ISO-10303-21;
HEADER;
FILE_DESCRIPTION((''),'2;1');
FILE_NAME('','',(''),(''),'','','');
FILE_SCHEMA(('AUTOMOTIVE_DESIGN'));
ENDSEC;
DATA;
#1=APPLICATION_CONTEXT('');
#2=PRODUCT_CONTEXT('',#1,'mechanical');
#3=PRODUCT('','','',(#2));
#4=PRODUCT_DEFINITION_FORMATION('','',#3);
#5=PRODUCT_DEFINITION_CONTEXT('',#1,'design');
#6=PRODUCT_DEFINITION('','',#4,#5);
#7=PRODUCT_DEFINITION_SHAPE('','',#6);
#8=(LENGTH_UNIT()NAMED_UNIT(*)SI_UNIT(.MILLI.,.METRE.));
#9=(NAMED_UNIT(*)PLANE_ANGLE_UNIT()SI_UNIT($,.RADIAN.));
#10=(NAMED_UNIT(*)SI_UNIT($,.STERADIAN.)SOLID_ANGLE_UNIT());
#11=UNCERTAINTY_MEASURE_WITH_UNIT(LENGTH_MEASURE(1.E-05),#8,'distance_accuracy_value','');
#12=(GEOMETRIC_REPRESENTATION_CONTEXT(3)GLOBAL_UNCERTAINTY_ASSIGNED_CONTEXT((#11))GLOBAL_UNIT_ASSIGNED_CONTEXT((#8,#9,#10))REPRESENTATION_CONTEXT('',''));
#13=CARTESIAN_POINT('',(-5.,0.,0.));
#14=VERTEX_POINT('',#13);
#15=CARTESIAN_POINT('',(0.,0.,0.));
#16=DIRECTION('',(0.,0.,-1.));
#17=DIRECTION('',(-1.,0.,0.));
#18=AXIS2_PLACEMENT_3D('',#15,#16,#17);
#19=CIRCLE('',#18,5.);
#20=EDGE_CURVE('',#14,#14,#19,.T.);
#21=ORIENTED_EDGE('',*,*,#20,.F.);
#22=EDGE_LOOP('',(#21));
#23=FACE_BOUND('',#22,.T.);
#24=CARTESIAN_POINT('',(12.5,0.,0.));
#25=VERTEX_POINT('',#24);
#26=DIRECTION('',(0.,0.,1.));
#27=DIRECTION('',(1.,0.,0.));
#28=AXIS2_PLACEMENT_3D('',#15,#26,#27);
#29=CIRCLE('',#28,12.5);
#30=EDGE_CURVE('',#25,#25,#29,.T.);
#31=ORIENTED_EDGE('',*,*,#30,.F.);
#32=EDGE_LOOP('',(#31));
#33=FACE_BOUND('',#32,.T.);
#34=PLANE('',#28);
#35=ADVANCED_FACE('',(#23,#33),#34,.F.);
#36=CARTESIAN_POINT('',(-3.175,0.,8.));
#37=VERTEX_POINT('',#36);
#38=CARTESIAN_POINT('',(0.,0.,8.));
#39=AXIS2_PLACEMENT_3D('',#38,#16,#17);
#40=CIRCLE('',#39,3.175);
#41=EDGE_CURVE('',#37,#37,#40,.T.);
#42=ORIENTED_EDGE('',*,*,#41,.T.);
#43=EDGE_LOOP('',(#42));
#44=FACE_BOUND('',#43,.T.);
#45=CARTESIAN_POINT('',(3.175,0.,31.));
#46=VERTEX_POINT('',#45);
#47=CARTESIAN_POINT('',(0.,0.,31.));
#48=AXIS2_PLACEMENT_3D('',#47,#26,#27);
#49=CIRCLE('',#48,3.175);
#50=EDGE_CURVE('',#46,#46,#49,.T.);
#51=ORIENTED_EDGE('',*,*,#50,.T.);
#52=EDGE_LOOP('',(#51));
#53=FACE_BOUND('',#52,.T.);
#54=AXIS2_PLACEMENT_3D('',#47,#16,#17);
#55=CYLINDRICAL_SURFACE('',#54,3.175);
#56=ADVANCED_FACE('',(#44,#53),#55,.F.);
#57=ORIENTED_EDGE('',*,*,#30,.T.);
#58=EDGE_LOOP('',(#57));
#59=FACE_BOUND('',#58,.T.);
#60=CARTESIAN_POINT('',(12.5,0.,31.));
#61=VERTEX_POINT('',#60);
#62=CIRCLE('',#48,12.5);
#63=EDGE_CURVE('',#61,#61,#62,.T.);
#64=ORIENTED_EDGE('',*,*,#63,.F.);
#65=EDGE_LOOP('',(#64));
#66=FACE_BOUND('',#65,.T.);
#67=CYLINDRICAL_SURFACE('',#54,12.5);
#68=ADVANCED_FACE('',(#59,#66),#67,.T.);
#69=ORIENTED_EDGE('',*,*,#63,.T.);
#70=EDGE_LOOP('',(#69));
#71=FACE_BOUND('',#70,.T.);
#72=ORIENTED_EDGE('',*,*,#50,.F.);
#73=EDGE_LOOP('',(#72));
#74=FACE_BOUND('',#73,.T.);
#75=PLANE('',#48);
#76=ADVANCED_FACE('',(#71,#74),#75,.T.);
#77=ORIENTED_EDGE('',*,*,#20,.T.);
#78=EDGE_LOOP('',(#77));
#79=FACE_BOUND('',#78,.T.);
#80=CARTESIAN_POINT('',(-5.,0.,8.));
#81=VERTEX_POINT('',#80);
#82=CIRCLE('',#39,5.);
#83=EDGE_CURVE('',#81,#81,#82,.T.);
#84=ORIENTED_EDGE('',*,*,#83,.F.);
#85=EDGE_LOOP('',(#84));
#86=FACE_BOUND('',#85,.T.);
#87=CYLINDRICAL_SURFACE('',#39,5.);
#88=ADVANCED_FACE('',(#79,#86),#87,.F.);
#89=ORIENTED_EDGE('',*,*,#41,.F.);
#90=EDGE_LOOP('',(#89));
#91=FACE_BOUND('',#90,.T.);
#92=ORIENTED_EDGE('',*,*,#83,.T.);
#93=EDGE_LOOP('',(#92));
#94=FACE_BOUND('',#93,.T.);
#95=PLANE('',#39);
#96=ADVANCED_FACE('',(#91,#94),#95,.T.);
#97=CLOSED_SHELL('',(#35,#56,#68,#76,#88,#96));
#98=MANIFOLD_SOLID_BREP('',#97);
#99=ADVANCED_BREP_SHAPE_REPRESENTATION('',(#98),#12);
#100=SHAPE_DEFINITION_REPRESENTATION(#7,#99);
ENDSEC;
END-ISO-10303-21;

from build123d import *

# Parameters (mm, degrees)
SKETCH_1_R          = 12.5
SKETCH_1_R_2        = 3.175
EXTRUDE_1_DEPTH     = 31
SKETCH_3_R          = 5
CUT_EXTRUDE_1_DEPTH = 8


with BuildPart() as part:
    # 草图1 → 凸台-拉伸1 (new body)
    with BuildSketch(Plane.XY):
        Circle(SKETCH_1_R)
        Circle(SKETCH_1_R_2, mode=Mode.SUBTRACT)
    extrude(amount=EXTRUDE_1_DEPTH)

    # 草图3 → 切除-拉伸1 (cut)
    with BuildSketch(Plane(origin=(0, 0, 0), x_dir=(-1, 0, 0), z_dir=(0, 0, -1))):
        Circle(SKETCH_3_R)
    extrude(amount=-CUT_EXTRUDE_1_DEPTH, mode=Mode.SUBTRACT)


solid = part.part
